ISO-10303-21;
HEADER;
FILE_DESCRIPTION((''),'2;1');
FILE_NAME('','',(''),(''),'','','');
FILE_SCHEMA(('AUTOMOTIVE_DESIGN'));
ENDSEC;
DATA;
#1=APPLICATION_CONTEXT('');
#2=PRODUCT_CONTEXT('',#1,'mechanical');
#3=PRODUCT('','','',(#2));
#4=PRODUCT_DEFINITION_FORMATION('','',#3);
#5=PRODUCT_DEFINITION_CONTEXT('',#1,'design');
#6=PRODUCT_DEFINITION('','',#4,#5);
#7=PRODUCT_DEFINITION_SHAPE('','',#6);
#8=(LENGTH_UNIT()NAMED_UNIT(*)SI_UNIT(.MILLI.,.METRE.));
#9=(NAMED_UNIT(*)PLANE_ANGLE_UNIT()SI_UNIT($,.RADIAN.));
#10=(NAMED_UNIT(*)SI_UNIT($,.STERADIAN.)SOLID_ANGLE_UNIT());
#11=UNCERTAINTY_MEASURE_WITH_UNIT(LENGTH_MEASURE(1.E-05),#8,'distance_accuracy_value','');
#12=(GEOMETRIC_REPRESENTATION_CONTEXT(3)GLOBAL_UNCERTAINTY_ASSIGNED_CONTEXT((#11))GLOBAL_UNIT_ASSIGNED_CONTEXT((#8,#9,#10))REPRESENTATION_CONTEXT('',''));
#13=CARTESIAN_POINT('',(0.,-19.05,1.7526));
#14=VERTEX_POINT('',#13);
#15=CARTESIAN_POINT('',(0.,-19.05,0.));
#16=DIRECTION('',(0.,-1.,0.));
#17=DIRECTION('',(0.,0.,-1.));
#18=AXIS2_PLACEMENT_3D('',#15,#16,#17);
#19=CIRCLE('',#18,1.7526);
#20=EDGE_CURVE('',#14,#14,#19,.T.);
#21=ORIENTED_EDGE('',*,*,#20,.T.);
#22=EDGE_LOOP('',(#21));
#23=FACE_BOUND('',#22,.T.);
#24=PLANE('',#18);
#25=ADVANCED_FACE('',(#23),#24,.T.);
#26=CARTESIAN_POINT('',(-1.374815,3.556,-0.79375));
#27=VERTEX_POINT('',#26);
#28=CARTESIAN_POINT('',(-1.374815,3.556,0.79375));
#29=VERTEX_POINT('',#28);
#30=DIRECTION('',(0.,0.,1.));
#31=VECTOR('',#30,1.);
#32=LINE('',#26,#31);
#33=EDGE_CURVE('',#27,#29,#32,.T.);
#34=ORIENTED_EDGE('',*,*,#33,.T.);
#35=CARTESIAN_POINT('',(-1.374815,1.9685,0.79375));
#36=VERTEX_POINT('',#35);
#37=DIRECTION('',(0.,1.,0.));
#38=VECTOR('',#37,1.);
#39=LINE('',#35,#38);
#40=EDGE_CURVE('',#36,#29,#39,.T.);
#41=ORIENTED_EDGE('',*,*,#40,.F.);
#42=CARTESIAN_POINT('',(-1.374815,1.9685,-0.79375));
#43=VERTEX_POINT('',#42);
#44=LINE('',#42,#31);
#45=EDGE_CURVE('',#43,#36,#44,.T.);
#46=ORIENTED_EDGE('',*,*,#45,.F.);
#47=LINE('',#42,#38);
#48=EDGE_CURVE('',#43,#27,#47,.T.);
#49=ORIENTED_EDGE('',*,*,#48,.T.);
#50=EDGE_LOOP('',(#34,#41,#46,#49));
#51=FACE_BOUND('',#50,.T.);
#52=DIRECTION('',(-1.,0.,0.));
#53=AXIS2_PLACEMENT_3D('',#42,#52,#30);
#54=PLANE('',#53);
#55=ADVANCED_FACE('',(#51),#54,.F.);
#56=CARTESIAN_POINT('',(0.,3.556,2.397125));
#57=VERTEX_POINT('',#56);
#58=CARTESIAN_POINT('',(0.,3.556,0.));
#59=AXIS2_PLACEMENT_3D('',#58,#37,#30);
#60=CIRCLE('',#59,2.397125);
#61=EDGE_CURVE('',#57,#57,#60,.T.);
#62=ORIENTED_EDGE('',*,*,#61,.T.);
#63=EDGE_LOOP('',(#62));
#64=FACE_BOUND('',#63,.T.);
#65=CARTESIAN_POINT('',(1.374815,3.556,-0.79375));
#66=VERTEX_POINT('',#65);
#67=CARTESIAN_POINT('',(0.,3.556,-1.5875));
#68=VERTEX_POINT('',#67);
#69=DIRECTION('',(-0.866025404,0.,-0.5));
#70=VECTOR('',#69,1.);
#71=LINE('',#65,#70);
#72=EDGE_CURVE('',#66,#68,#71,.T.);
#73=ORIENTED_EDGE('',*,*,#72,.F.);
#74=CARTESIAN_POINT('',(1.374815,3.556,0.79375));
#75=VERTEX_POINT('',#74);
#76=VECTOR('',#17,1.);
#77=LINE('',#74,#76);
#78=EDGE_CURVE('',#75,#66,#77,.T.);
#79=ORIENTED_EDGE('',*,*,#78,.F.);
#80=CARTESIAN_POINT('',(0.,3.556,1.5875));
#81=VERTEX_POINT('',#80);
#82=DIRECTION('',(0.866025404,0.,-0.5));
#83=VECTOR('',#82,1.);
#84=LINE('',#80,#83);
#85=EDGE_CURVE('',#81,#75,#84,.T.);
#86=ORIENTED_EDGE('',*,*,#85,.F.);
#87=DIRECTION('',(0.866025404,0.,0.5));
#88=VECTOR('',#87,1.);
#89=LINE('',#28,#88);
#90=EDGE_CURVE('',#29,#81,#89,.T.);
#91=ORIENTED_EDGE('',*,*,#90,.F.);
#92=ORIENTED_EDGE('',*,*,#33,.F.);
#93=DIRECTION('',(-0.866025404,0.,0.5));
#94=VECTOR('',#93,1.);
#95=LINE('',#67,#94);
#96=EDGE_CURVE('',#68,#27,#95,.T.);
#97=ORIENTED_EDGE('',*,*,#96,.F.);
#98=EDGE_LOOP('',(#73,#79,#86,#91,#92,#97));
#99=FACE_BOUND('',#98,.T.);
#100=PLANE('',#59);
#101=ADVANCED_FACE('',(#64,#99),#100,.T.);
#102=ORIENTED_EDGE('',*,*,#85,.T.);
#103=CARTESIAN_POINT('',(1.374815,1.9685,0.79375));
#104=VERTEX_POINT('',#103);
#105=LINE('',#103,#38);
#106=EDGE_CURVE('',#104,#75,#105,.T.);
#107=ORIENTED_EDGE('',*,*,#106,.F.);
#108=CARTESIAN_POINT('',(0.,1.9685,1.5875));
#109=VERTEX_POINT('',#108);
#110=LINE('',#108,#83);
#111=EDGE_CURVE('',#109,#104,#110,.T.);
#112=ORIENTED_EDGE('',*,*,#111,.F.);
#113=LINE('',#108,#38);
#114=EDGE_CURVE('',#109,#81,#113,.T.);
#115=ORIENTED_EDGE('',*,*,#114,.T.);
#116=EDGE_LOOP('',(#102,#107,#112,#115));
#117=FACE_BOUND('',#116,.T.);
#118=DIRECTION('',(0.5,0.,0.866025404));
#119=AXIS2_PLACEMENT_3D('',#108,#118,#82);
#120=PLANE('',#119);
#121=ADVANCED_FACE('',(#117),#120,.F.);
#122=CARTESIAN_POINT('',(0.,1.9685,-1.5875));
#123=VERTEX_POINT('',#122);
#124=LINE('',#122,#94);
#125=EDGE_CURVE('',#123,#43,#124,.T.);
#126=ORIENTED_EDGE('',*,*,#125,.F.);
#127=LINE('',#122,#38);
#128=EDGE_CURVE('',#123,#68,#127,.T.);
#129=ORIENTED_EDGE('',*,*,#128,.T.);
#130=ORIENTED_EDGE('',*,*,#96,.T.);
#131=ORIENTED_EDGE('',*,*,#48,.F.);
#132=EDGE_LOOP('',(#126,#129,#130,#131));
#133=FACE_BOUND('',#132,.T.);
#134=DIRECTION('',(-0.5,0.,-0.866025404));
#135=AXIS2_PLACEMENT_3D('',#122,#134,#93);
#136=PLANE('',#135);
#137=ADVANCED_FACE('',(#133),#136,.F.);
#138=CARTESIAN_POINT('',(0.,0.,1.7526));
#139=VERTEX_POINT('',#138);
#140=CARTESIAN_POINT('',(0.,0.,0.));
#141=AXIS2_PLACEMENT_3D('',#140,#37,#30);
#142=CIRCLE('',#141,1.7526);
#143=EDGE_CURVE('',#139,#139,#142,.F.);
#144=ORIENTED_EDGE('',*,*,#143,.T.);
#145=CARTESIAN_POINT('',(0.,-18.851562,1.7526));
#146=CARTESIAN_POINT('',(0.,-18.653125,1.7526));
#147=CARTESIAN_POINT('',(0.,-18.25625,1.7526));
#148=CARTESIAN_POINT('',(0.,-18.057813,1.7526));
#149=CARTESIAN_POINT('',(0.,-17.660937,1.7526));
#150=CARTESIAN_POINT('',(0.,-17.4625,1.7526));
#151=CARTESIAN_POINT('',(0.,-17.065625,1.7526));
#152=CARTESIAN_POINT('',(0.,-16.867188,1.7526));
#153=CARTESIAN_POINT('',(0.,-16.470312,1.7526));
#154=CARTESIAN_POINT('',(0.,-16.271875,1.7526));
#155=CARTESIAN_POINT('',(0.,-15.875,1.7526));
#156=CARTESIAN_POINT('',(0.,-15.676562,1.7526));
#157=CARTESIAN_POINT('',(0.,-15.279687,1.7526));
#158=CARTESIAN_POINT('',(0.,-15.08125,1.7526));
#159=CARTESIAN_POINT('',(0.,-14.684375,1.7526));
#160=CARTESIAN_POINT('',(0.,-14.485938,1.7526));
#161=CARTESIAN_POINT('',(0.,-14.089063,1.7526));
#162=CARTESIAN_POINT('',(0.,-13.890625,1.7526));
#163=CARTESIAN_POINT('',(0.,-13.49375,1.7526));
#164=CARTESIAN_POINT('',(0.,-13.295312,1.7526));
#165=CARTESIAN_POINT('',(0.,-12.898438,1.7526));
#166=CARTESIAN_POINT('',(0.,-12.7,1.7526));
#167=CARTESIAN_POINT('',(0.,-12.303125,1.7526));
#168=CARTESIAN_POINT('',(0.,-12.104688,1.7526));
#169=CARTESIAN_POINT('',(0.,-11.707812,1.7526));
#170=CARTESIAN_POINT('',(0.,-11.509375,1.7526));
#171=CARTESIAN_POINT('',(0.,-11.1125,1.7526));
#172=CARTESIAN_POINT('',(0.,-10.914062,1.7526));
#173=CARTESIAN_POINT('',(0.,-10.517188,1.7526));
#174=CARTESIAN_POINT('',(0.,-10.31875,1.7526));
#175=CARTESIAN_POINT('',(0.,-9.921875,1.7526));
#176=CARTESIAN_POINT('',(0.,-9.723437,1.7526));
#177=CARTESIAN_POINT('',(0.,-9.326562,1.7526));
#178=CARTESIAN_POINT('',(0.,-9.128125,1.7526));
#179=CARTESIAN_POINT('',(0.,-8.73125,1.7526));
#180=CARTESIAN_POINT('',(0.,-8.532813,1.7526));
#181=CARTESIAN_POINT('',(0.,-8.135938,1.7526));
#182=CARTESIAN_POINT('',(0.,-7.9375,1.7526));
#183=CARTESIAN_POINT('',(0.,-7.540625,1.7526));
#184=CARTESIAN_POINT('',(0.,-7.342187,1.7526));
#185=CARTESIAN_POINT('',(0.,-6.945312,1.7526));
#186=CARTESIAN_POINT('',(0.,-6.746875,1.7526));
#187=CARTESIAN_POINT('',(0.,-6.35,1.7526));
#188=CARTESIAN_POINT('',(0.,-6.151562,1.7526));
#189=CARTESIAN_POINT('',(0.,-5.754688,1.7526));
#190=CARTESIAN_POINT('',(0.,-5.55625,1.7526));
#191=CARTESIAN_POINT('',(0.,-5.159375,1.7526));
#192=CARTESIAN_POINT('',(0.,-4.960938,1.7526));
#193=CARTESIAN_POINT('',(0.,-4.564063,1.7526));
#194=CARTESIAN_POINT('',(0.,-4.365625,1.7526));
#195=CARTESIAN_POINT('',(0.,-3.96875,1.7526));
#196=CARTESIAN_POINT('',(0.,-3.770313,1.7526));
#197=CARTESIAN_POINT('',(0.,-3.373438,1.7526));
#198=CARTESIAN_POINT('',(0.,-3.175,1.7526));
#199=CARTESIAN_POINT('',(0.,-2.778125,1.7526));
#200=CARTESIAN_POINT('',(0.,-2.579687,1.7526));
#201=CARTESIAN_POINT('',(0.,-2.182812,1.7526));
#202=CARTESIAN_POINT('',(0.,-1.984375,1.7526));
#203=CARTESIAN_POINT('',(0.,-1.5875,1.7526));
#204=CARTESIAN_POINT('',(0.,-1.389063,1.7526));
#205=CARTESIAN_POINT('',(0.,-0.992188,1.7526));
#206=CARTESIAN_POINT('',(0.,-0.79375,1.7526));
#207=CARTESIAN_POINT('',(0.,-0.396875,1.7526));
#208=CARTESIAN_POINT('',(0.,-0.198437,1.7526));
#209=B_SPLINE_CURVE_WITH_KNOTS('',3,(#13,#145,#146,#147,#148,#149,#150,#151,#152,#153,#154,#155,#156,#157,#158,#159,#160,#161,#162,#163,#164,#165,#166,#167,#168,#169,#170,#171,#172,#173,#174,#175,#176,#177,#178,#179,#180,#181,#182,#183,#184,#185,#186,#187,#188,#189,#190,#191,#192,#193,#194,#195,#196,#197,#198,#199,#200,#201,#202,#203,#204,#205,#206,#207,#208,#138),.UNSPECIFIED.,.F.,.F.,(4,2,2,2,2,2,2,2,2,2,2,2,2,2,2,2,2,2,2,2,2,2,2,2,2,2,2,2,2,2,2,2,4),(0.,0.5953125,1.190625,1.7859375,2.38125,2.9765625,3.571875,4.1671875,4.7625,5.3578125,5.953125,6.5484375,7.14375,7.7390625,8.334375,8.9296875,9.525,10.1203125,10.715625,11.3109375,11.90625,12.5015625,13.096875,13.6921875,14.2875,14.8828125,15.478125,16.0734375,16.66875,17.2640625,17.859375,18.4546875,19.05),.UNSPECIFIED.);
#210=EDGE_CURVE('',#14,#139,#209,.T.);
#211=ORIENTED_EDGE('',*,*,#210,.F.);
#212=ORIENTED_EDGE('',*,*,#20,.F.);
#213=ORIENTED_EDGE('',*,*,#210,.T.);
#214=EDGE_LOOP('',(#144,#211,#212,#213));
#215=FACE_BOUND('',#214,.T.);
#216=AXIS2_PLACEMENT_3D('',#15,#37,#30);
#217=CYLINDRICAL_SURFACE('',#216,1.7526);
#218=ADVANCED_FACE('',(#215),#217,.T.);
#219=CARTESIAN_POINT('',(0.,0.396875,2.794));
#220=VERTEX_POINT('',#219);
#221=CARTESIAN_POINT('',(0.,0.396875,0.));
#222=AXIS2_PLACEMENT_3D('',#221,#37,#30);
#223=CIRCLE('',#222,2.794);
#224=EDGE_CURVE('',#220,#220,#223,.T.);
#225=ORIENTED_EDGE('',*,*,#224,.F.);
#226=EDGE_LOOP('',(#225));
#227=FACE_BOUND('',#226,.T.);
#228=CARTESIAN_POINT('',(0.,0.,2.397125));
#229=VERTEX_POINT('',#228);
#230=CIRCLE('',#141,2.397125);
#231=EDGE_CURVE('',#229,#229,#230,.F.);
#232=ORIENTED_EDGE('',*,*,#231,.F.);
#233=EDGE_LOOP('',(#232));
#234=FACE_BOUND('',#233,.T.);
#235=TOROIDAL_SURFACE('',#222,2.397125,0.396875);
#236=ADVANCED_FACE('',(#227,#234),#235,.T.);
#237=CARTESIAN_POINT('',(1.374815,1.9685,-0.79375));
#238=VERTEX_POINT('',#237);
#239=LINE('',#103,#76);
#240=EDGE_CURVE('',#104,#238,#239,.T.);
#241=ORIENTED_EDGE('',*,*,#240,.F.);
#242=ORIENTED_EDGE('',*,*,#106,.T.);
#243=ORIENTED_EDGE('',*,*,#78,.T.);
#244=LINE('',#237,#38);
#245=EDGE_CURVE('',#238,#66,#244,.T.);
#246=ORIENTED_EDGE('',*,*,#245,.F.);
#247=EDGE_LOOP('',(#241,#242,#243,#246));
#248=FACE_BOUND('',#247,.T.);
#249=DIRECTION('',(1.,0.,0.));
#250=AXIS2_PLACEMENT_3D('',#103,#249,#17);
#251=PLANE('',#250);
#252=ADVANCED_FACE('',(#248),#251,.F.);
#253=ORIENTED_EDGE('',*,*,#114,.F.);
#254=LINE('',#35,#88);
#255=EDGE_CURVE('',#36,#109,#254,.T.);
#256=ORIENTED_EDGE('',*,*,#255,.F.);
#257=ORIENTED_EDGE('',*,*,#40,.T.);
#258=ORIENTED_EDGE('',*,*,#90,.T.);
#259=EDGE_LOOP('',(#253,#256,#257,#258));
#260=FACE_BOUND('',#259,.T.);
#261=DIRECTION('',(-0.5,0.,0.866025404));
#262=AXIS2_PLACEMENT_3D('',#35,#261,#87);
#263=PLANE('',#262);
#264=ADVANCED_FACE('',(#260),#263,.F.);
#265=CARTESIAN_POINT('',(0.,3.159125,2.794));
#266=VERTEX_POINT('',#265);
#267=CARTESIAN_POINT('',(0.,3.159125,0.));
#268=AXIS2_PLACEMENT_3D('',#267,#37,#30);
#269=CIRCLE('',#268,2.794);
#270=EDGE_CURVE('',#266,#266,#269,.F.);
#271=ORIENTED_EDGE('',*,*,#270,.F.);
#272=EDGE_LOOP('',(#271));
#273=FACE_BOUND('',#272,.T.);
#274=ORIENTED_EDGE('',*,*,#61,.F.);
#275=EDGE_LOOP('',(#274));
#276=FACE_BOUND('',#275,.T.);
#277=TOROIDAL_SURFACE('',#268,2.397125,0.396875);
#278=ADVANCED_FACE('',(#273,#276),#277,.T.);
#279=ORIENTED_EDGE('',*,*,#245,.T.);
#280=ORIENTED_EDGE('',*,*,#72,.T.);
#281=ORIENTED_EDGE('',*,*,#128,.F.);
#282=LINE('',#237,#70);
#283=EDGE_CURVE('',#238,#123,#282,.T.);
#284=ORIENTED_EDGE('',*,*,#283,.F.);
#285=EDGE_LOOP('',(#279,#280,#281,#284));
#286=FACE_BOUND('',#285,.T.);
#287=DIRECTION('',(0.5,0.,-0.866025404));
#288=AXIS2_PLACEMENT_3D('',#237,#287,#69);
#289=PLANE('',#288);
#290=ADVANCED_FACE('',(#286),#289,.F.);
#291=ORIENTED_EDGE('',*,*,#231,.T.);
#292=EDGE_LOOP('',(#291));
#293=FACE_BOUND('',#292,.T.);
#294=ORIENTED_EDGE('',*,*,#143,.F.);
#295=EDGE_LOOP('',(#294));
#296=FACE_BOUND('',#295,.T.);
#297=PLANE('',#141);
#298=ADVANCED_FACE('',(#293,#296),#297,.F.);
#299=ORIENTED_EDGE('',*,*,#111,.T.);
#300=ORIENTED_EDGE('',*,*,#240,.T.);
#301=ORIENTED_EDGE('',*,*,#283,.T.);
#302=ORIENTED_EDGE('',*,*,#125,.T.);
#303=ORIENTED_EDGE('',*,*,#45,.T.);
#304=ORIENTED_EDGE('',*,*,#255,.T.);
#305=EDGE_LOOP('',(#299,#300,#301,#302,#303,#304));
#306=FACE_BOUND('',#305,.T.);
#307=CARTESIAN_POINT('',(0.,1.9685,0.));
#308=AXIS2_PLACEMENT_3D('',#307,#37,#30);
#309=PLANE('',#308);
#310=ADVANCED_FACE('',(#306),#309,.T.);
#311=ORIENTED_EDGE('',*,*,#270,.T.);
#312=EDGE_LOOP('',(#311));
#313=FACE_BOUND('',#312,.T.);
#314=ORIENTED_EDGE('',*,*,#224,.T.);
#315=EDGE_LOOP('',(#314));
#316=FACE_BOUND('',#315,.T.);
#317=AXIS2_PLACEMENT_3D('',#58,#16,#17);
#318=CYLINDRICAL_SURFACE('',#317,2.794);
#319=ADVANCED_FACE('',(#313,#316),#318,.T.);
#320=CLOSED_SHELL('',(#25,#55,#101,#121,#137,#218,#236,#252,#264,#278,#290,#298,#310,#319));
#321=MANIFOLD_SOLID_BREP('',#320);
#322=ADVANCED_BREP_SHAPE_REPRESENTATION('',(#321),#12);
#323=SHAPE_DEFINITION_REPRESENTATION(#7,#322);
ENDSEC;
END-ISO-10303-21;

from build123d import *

# Parameters (mm, degrees)
SKETCH2_R           = 2.794
BOSS_EXTRUDE1_DEPTH = 3.556
SKETCH4_R           = 1.7526
BOSS_EXTRUDE2_DEPTH = 19.05
FILLET1_R           = 0.396875
CUT_EXTRUDE1_DEPTH  = 1.5875


with BuildPart() as part:
    # Sketch2 → Boss-Extrude1 (new body)
    with BuildSketch(Plane(origin=(0, 0, 0), x_dir=(1, 0, 0), z_dir=(0, 1, 0))):
        with Locations(Location((0, 0, 0), (0, 0, 270))):
            Circle(SKETCH2_R)
    extrude(amount=BOSS_EXTRUDE1_DEPTH)

    # Sketch4 → Boss-Extrude2 (add)
    with BuildSketch(Plane.XZ):
        with Locations(Location((0, 0, 0), (0, 0, 90))):
            Circle(SKETCH4_R)
    extrude(amount=BOSS_EXTRUDE2_DEPTH)

    # Fillet1
    fillet1_edges = [part.edges().sort_by_distance(p)[0] for p in [
        (0, 0, -2.794),
        (0, 3.556, -2.794),
    ]]
    fillet(fillet1_edges, radius=FILLET1_R)

    # Sketch5 → Cut-Extrude1 (cut)
    with BuildSketch(Plane(origin=(0, 3.556, 0), x_dir=(1, 0, 0), z_dir=(0, 1, 0))):
        Polygon((-1.374815329, 0.79375), (-1.374815329, -0.79375), (0, -1.5875), (1.374815329, -0.79375), (1.374815329, 0.79375), (0, 1.5875), align=None)
    extrude(amount=-CUT_EXTRUDE1_DEPTH, mode=Mode.SUBTRACT)


solid = part.part
